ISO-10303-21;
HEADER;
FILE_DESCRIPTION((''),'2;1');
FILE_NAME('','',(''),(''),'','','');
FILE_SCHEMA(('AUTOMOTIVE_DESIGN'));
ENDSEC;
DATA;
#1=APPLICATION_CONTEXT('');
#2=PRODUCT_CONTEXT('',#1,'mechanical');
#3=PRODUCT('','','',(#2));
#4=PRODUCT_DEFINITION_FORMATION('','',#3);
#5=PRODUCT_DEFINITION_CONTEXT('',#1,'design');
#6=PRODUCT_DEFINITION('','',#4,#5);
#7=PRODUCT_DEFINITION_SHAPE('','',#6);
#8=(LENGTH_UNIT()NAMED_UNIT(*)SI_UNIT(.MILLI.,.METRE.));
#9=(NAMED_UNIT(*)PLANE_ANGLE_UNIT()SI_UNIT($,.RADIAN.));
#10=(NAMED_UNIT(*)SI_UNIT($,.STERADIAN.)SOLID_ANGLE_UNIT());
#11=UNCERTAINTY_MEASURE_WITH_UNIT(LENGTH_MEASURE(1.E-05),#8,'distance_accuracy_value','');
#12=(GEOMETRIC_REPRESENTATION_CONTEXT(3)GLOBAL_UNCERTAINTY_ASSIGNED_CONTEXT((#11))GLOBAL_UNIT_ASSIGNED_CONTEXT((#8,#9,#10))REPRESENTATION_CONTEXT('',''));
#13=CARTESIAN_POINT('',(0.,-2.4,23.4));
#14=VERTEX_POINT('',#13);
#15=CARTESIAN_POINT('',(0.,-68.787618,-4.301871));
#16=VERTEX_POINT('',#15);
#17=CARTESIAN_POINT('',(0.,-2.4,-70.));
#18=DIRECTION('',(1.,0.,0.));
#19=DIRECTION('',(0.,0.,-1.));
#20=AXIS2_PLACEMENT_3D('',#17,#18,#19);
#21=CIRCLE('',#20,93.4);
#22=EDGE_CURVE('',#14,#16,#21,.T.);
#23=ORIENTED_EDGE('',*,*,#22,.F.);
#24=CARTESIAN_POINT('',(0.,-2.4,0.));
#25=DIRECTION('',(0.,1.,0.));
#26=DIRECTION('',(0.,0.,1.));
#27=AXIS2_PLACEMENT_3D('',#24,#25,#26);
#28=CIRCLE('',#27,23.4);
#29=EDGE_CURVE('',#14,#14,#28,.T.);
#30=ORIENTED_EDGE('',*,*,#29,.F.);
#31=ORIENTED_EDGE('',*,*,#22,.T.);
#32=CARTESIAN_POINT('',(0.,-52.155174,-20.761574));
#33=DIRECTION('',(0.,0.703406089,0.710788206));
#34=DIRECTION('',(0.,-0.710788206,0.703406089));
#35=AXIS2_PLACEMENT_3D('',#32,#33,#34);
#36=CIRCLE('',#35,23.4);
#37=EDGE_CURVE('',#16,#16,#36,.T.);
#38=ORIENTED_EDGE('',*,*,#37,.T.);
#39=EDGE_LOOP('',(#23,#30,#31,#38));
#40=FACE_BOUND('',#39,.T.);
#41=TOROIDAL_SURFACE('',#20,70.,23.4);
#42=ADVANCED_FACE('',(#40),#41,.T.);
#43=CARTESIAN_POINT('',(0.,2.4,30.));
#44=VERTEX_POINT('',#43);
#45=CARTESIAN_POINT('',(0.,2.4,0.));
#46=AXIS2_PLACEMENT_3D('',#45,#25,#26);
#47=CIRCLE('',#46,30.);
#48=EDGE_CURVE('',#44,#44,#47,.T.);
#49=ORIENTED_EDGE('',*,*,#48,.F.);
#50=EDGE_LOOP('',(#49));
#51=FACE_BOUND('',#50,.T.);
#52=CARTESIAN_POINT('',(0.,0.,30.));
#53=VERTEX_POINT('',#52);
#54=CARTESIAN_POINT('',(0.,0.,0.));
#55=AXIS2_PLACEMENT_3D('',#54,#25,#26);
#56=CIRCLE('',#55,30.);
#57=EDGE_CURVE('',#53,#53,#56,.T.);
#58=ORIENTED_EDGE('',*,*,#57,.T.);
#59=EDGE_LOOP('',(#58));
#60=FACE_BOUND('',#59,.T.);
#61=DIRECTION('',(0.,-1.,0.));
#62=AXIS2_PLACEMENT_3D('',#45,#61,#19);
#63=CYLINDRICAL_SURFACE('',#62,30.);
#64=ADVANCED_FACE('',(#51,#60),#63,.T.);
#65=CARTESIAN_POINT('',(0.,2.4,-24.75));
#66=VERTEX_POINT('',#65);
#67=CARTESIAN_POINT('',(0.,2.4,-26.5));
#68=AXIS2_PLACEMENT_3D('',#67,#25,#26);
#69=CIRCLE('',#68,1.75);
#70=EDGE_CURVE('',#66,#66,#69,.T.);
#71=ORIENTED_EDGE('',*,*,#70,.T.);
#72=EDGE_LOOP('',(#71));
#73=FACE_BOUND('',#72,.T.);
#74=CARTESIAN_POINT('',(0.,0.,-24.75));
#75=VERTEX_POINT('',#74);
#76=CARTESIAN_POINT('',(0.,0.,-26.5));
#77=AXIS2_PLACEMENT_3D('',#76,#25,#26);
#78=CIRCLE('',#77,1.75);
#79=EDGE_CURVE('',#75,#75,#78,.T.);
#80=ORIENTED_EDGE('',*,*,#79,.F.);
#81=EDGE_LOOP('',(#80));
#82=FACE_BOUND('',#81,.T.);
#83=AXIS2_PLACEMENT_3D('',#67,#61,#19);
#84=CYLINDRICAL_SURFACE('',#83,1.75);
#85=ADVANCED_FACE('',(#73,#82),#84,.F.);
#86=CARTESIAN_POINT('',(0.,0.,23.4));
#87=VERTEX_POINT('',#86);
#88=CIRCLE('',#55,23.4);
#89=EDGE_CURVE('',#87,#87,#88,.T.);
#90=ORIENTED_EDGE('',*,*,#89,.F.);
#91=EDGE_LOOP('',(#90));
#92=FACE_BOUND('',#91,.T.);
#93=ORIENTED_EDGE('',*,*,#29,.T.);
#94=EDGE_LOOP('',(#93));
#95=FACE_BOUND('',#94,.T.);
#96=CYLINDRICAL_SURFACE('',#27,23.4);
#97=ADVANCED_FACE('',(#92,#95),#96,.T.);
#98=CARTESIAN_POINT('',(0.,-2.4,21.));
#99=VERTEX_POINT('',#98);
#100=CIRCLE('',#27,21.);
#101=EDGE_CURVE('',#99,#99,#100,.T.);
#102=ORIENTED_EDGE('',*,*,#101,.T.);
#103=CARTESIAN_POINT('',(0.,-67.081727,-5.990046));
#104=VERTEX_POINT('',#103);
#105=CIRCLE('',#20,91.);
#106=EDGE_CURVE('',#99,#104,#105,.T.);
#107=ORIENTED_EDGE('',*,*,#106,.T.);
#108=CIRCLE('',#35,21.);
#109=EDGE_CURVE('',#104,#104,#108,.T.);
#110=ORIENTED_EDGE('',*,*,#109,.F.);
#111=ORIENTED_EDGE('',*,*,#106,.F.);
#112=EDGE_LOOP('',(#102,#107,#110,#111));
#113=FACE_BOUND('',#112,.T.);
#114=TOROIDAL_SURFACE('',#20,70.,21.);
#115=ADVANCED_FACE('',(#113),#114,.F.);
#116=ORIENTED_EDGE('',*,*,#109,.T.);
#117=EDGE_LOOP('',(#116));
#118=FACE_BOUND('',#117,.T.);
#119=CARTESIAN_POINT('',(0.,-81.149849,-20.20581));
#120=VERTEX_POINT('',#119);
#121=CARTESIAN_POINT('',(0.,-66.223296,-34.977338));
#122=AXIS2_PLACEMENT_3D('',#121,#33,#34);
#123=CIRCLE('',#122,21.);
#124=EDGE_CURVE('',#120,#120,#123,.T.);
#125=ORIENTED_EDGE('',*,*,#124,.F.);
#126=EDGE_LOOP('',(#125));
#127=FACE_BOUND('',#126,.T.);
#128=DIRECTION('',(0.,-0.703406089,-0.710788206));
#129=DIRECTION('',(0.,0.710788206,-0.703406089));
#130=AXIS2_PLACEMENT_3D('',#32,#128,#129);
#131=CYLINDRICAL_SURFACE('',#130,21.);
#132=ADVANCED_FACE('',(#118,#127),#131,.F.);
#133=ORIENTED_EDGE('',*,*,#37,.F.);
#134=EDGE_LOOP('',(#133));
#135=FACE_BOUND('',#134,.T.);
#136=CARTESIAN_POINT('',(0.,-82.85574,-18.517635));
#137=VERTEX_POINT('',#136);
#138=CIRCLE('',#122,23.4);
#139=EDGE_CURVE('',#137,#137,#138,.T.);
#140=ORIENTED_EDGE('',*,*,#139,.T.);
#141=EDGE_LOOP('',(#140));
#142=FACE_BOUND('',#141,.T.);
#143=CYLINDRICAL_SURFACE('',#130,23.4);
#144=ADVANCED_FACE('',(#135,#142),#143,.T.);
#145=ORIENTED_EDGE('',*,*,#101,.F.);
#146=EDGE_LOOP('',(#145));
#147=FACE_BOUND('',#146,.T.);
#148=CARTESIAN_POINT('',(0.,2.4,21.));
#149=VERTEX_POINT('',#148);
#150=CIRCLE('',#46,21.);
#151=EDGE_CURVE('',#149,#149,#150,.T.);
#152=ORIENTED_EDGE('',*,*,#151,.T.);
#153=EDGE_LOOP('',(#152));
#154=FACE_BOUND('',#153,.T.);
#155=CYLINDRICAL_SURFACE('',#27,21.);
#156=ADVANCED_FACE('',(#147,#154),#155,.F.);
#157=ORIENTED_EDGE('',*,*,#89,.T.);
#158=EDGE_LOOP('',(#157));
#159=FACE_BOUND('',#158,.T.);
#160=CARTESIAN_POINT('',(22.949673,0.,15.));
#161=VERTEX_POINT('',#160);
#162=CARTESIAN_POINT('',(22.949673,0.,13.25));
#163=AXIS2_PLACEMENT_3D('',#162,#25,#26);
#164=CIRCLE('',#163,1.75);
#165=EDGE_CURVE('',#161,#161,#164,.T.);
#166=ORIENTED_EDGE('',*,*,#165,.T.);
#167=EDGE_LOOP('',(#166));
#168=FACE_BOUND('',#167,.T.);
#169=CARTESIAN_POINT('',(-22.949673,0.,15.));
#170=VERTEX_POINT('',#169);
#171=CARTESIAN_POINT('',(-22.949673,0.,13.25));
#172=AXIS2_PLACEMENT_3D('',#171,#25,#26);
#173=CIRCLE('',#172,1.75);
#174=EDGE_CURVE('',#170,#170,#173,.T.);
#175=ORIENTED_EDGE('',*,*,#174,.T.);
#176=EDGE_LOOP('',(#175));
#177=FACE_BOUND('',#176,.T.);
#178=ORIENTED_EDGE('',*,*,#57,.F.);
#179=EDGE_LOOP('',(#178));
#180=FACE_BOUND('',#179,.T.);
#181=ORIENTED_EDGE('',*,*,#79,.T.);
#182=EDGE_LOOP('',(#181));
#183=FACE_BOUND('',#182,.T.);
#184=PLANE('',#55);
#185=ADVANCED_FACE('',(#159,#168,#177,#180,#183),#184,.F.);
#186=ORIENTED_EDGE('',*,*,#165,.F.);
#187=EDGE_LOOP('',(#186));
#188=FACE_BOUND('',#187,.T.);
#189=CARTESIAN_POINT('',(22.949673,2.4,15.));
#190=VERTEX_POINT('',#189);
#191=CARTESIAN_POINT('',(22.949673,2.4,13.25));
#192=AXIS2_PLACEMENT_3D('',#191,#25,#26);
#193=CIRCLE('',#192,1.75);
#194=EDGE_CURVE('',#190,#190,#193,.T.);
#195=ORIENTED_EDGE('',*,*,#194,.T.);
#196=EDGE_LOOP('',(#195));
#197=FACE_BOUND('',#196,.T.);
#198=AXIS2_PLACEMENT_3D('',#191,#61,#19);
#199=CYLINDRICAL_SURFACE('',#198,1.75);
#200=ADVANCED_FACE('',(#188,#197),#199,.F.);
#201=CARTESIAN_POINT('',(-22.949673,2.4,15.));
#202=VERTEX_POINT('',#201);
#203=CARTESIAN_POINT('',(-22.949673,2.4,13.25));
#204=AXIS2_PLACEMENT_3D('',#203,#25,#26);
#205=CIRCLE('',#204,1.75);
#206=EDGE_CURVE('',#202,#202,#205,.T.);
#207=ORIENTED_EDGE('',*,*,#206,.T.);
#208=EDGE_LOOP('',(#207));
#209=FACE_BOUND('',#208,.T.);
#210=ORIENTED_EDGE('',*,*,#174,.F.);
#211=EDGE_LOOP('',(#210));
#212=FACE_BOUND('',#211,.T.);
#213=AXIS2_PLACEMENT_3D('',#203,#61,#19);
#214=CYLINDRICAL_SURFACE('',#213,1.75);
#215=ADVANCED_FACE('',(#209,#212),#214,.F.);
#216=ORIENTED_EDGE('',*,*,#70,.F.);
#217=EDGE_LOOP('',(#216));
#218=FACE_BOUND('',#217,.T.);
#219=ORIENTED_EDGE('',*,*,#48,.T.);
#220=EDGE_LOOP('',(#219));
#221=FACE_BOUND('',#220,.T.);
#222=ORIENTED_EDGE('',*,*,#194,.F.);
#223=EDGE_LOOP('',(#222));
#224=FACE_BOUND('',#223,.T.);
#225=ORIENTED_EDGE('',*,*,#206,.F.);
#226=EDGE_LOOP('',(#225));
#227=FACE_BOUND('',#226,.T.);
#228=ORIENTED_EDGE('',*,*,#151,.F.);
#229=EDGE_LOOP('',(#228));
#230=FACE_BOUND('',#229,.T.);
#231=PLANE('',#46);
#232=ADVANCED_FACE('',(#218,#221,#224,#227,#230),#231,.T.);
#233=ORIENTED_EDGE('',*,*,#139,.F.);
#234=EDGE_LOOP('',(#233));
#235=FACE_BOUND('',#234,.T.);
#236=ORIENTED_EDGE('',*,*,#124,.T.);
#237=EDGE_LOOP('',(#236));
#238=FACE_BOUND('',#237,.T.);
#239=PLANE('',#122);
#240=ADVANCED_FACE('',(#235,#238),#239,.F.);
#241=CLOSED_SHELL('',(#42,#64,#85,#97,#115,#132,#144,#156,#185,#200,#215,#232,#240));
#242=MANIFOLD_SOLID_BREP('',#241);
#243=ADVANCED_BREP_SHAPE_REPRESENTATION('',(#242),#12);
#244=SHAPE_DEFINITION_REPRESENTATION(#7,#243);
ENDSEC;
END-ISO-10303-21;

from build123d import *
from build123d.topology import SkipClean

# Parameters (mm, degrees)
SKETCH2_R           = 23.4
SKETCH2_R_2         = 21
SKETCH4_R           = 30
SKETCH4_R_2         = 21
SKETCH4_R_3         = 1.75
BOSS_EXTRUDE1_DEPTH = 2.4


with BuildPart() as part:
    # Sweep1: sweep along a path in Sketch1
    with BuildLine(Plane(origin=(0, 0, 0), x_dir=(0, 0, -1), z_dir=(1, 0, 0))) as sweep1_path:
        Line((0, 0), (0, -2.4))
        ThreePointArc((0, -2.4), (5.398568754, -29.356540598), (20.761573743, -52.155174402))
        Line((20.761573743, -52.155174402), (34.977337858, -66.223296189))
    # Sketch2 → Sweep1 (sweep)
    with BuildSketch(Plane(origin=(0, 0, 0), x_dir=(1, 0, 0), z_dir=(0, 1, 0))):
        Circle(SKETCH2_R)
        Circle(SKETCH2_R_2, mode=Mode.SUBTRACT)
    sweep(path=sweep1_path.line)

    # Sketch4 → Boss-Extrude1 (add)
    with SkipClean():  # the faces are left unmerged after this step: merging them gives an invalid solid
        with BuildSketch(Plane(origin=(0, 0, 0), x_dir=(1, 0, 0), z_dir=(0, 1, 0))):
            with Locations(Location((0, 0, 0), (0, 0, 270))):
                Circle(SKETCH4_R)
            with Locations(Location((0, 0, 0), (0, 0, 270))):
                Circle(SKETCH4_R_2, mode=Mode.SUBTRACT)
            with Locations(Location((0, 26.5, 0), (0, 0, 270))):
                Circle(SKETCH4_R_3, mode=Mode.SUBTRACT)
            with Locations(Location((22.9496732, -13.25, 0), (0, 0, 270))):
                Circle(SKETCH4_R_3, mode=Mode.SUBTRACT)
            with Locations(Location((-22.9496732, -13.25, 0), (0, 0, 270))):
                Circle(SKETCH4_R_3, mode=Mode.SUBTRACT)
        extrude(amount=BOSS_EXTRUDE1_DEPTH)


solid = part.part
